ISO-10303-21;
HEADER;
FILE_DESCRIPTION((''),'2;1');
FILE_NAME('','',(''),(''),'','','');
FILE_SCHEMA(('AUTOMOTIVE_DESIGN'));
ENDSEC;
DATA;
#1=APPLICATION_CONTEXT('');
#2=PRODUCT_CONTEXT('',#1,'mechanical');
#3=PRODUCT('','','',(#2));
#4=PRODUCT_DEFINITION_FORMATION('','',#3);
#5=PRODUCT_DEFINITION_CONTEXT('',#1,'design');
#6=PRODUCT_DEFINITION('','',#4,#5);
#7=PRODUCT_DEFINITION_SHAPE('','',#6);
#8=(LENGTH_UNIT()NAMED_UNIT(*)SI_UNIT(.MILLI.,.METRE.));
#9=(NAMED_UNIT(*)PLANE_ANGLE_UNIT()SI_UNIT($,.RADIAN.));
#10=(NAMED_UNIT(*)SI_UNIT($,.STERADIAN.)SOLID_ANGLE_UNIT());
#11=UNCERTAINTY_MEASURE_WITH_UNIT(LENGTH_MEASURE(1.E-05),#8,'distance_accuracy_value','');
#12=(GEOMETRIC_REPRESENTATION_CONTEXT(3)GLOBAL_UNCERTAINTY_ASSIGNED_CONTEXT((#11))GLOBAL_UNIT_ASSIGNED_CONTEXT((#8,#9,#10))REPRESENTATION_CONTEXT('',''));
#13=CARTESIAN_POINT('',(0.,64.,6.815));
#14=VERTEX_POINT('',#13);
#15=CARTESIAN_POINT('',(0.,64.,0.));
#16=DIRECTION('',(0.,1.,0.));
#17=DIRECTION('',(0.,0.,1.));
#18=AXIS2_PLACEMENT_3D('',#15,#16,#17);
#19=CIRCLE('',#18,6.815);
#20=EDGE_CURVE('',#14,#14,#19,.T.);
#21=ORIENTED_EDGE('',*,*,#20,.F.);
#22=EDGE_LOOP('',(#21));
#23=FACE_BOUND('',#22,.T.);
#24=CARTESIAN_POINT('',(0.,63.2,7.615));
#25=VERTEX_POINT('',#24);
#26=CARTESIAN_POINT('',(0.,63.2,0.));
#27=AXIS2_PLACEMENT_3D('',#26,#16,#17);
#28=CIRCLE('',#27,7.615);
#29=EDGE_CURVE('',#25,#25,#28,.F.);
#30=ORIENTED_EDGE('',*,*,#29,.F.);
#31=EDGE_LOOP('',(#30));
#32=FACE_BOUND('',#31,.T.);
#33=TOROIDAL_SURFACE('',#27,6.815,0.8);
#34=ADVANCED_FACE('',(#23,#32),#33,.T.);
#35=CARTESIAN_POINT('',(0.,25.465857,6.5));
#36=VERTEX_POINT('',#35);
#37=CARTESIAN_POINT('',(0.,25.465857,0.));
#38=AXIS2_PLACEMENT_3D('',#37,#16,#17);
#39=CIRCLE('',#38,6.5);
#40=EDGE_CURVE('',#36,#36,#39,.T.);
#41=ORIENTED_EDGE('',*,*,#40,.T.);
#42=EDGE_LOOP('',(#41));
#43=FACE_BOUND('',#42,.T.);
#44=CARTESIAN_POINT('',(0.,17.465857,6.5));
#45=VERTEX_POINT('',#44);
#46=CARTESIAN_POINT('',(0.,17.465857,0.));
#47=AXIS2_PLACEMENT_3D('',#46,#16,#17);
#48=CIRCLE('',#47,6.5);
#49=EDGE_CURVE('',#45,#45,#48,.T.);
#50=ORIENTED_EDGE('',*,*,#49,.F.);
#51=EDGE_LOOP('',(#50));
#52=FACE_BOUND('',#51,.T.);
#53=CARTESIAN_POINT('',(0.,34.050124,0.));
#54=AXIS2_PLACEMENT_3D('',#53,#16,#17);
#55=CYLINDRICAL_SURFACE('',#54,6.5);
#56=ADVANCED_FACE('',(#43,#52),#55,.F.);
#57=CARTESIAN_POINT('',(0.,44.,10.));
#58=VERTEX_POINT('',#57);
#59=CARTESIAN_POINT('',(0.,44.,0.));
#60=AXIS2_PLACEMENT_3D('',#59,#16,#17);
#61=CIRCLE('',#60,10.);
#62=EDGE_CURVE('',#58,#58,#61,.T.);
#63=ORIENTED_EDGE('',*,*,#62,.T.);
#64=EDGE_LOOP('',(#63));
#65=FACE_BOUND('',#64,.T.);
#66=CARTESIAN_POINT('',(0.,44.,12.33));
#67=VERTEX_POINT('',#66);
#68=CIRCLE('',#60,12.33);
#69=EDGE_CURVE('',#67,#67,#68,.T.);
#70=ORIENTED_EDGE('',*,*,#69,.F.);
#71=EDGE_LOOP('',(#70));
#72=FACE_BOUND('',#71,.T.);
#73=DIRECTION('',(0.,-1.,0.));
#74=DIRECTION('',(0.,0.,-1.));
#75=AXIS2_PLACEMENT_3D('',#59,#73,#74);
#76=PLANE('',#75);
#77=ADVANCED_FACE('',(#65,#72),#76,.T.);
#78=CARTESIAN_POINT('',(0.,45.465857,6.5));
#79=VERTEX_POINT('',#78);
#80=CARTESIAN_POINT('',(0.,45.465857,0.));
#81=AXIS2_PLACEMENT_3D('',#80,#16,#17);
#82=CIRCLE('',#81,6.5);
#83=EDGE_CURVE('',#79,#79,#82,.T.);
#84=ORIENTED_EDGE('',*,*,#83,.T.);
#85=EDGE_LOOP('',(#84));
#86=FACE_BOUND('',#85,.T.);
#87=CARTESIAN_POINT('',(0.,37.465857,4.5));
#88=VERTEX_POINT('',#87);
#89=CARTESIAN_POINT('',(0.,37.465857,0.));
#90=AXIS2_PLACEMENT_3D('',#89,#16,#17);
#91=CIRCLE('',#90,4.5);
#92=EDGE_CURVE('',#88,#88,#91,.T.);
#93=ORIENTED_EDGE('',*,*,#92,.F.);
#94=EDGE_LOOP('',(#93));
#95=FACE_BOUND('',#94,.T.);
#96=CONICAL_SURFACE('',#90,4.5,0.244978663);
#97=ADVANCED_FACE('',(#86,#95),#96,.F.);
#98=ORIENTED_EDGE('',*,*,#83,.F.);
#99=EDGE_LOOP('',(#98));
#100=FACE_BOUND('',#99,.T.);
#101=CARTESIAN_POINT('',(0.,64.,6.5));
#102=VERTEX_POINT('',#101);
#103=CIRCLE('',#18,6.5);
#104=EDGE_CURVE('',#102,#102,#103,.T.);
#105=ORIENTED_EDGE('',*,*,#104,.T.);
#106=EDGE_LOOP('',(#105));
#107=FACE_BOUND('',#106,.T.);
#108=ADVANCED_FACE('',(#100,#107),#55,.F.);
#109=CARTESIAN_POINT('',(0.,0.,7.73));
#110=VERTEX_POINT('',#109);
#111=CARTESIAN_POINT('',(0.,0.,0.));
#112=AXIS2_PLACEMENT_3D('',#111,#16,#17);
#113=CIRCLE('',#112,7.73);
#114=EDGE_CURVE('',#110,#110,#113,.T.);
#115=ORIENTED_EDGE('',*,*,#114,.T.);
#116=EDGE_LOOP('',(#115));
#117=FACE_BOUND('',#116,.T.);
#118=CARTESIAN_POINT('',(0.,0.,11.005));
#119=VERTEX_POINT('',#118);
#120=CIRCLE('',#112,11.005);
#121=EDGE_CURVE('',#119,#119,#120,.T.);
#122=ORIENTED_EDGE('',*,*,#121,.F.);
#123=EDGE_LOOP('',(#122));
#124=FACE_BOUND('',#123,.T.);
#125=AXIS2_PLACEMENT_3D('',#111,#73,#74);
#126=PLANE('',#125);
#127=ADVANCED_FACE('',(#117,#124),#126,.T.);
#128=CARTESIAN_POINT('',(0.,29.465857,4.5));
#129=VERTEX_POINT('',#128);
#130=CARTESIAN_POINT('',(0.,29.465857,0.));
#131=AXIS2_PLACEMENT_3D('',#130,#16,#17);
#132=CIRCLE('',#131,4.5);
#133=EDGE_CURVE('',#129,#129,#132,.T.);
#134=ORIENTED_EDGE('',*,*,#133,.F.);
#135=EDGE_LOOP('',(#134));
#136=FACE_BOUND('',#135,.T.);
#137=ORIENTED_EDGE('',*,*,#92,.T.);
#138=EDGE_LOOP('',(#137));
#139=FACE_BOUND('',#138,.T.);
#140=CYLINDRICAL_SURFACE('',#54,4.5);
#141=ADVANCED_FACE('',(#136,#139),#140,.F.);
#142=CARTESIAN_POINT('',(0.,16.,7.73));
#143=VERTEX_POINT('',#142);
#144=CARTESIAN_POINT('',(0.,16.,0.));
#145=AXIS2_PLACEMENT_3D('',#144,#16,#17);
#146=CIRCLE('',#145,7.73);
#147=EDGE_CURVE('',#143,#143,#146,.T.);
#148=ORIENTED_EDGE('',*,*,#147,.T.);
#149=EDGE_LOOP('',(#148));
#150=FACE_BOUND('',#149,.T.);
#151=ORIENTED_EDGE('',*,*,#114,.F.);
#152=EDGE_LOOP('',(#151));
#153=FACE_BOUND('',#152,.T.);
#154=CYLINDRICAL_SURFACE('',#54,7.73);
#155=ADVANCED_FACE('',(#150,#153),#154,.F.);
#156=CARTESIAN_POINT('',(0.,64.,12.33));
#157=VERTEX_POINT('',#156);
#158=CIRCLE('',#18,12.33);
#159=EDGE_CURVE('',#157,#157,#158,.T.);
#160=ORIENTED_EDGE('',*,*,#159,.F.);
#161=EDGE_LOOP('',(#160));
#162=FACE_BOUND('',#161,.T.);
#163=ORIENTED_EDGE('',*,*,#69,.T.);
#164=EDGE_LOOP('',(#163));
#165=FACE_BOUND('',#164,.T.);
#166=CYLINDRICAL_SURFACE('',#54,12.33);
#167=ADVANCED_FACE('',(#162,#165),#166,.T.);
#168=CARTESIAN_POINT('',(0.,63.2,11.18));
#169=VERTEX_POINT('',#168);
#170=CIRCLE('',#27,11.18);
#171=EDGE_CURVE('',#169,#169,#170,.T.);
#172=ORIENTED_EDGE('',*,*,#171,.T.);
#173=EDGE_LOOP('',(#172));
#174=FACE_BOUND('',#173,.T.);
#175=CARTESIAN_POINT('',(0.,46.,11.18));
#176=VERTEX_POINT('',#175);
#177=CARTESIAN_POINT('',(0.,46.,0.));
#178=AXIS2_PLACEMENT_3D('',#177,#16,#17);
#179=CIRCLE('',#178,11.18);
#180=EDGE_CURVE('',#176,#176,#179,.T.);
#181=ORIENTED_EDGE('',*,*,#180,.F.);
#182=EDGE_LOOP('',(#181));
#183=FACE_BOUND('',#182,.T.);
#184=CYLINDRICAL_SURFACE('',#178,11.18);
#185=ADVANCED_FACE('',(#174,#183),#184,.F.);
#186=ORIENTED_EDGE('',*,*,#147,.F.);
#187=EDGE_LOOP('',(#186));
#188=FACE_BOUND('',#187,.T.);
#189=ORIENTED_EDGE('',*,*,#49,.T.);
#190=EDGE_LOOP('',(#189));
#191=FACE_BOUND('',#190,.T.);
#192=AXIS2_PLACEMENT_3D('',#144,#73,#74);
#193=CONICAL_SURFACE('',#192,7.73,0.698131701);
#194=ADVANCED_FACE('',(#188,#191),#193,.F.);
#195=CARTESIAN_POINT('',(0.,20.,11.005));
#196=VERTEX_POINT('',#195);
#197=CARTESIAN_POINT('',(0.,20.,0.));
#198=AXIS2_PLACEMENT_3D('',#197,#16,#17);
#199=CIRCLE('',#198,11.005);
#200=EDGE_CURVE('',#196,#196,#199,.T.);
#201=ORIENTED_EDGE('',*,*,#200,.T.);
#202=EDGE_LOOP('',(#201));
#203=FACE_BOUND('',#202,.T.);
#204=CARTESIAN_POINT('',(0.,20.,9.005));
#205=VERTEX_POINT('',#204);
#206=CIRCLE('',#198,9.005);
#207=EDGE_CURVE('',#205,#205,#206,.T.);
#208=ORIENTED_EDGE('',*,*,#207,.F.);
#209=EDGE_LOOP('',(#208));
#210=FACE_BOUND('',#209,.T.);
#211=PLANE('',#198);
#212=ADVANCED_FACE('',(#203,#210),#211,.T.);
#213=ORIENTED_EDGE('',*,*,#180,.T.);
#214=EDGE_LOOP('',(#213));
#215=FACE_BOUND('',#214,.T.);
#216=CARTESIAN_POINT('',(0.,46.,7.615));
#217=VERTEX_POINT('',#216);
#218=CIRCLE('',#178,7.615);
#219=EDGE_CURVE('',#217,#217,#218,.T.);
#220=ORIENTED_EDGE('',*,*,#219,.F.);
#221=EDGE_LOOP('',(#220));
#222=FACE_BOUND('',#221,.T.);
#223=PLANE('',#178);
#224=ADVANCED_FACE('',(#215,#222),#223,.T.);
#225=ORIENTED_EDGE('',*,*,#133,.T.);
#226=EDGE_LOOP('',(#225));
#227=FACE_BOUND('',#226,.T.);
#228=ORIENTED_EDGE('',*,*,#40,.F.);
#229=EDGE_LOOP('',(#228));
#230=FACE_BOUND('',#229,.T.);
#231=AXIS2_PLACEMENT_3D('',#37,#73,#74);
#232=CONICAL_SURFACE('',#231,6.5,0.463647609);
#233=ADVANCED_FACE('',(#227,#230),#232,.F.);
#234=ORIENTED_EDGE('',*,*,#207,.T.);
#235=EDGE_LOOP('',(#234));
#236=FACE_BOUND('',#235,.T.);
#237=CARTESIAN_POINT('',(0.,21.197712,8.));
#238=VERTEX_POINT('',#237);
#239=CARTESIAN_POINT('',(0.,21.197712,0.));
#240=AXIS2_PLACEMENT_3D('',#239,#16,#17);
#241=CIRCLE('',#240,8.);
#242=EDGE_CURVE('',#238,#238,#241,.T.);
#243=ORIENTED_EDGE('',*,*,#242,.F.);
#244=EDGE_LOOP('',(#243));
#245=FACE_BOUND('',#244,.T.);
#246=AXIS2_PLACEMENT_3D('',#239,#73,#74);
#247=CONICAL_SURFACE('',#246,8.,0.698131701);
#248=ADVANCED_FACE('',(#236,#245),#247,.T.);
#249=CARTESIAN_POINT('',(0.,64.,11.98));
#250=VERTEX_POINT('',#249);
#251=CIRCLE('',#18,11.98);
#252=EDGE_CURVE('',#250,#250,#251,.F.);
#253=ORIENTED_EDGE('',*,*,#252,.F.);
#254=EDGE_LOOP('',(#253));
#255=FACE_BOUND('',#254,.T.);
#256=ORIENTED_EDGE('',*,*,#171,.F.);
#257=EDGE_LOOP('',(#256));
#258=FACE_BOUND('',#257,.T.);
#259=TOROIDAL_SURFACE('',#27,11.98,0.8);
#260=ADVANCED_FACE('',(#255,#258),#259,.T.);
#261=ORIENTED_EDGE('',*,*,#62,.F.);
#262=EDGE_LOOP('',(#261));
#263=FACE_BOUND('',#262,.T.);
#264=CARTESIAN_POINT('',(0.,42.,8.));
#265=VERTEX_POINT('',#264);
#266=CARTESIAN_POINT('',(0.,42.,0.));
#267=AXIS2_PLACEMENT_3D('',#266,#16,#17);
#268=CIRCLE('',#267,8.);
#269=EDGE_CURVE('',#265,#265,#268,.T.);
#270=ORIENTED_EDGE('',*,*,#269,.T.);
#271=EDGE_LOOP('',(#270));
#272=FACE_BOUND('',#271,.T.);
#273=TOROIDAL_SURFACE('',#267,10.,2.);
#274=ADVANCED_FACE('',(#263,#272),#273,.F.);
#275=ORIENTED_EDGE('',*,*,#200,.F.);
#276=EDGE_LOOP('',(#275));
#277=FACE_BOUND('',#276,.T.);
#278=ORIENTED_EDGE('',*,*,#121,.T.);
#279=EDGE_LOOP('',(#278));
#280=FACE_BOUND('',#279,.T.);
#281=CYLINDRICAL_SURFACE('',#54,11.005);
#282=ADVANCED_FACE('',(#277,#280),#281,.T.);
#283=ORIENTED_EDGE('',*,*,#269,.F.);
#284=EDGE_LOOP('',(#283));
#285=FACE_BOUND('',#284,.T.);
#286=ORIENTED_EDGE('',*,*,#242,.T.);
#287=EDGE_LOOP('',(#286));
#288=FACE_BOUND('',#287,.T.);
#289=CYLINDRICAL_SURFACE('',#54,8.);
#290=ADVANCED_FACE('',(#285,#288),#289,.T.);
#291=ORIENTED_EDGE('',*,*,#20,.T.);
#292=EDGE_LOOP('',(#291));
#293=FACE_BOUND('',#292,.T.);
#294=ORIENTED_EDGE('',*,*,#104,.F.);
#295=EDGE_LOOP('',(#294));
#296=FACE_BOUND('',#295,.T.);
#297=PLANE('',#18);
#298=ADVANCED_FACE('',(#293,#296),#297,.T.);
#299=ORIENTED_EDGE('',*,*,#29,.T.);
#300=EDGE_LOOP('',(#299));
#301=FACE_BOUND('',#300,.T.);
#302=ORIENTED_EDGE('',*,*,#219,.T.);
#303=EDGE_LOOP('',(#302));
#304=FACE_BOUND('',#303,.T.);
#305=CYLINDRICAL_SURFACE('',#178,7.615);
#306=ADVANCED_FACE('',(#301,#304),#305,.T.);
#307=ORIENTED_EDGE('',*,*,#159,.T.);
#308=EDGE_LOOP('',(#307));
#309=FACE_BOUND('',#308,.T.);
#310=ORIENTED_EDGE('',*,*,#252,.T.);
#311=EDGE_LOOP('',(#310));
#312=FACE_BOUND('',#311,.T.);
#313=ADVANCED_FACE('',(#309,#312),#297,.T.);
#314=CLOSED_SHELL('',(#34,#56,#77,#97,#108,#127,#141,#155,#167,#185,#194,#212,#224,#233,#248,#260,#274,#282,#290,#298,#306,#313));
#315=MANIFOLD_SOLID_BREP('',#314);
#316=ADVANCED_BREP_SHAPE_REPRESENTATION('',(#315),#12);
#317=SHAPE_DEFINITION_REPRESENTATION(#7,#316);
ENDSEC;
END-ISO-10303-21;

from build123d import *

# Parameters (mm, degrees)
SKETCH2_R          = 11.18
SKETCH2_R_2        = 7.615
CUT_EXTRUDE1_DEPTH = 18
FILLET1_R          = 0.8


with BuildPart() as part:
    # Sketch1 → Revolve1 (revolve)
    with BuildSketch(Plane(origin=(0, 0, 0), x_dir=(0, 0, -1), z_dir=(1, 0, 0)), mode=Mode.PRIVATE) as revolve1_sk:
        with BuildLine():
            Line((12.33, 64), (12.33, 44))
            Line((12.33, 44), (10, 44))
            ThreePointArc((10, 44), (8.585786438, 43.414213562), (8, 42))
            Line((8, 42), (8, 21.197712361))
            Line((8, 21.197712361), (9.005, 20))
            Line((9.005, 20), (11.005, 20))
            Line((11.005, 20), (11.005, 0))
            Line((11.005, 0), (7.73, 0))
            Line((7.73, 0), (7.73, 16))
            Line((7.73, 16), (6.5, 17.465856919))
            Line((6.5, 17.465856919), (6.5, 25.465856919))
            Line((6.5, 25.465856919), (4.5, 29.465856919))
            Line((4.5, 29.465856919), (4.5, 37.465856919))
            Line((4.5, 37.465856919), (6.5, 45.465856919))
            Line((6.5, 45.465856919), (6.5, 64))
            Line((6.5, 64), (12.33, 64))
        make_face()
    revolve(revolve1_sk.sketch.rotate(Axis((0, 34.050123762, 0), (0, -1, 0)), 180), axis=Axis((0, 34.050123762, 0), (0, -1, 0)))

    # Sketch2 → Cut-Extrude1 (cut)
    with BuildSketch(Plane(origin=(0, 64, 0), x_dir=(1, 0, 0), z_dir=(0, 1, 0))):
        with Locations(Location((0, 0, 0), (0, 0, 270))):
            Circle(SKETCH2_R)
        with Locations(Location((0, 0, 0), (0, 0, 270))):
            Circle(SKETCH2_R_2, mode=Mode.SUBTRACT)
    extrude(amount=-CUT_EXTRUDE1_DEPTH, mode=Mode.SUBTRACT)

    # Fillet1
    fillet1_edges = [part.edges().sort_by_distance(p)[0] for p in [
        (0, 64, -11.18),
        (0, 64, -7.615),
    ]]
    fillet(fillet1_edges, radius=FILLET1_R)


solid = part.part
